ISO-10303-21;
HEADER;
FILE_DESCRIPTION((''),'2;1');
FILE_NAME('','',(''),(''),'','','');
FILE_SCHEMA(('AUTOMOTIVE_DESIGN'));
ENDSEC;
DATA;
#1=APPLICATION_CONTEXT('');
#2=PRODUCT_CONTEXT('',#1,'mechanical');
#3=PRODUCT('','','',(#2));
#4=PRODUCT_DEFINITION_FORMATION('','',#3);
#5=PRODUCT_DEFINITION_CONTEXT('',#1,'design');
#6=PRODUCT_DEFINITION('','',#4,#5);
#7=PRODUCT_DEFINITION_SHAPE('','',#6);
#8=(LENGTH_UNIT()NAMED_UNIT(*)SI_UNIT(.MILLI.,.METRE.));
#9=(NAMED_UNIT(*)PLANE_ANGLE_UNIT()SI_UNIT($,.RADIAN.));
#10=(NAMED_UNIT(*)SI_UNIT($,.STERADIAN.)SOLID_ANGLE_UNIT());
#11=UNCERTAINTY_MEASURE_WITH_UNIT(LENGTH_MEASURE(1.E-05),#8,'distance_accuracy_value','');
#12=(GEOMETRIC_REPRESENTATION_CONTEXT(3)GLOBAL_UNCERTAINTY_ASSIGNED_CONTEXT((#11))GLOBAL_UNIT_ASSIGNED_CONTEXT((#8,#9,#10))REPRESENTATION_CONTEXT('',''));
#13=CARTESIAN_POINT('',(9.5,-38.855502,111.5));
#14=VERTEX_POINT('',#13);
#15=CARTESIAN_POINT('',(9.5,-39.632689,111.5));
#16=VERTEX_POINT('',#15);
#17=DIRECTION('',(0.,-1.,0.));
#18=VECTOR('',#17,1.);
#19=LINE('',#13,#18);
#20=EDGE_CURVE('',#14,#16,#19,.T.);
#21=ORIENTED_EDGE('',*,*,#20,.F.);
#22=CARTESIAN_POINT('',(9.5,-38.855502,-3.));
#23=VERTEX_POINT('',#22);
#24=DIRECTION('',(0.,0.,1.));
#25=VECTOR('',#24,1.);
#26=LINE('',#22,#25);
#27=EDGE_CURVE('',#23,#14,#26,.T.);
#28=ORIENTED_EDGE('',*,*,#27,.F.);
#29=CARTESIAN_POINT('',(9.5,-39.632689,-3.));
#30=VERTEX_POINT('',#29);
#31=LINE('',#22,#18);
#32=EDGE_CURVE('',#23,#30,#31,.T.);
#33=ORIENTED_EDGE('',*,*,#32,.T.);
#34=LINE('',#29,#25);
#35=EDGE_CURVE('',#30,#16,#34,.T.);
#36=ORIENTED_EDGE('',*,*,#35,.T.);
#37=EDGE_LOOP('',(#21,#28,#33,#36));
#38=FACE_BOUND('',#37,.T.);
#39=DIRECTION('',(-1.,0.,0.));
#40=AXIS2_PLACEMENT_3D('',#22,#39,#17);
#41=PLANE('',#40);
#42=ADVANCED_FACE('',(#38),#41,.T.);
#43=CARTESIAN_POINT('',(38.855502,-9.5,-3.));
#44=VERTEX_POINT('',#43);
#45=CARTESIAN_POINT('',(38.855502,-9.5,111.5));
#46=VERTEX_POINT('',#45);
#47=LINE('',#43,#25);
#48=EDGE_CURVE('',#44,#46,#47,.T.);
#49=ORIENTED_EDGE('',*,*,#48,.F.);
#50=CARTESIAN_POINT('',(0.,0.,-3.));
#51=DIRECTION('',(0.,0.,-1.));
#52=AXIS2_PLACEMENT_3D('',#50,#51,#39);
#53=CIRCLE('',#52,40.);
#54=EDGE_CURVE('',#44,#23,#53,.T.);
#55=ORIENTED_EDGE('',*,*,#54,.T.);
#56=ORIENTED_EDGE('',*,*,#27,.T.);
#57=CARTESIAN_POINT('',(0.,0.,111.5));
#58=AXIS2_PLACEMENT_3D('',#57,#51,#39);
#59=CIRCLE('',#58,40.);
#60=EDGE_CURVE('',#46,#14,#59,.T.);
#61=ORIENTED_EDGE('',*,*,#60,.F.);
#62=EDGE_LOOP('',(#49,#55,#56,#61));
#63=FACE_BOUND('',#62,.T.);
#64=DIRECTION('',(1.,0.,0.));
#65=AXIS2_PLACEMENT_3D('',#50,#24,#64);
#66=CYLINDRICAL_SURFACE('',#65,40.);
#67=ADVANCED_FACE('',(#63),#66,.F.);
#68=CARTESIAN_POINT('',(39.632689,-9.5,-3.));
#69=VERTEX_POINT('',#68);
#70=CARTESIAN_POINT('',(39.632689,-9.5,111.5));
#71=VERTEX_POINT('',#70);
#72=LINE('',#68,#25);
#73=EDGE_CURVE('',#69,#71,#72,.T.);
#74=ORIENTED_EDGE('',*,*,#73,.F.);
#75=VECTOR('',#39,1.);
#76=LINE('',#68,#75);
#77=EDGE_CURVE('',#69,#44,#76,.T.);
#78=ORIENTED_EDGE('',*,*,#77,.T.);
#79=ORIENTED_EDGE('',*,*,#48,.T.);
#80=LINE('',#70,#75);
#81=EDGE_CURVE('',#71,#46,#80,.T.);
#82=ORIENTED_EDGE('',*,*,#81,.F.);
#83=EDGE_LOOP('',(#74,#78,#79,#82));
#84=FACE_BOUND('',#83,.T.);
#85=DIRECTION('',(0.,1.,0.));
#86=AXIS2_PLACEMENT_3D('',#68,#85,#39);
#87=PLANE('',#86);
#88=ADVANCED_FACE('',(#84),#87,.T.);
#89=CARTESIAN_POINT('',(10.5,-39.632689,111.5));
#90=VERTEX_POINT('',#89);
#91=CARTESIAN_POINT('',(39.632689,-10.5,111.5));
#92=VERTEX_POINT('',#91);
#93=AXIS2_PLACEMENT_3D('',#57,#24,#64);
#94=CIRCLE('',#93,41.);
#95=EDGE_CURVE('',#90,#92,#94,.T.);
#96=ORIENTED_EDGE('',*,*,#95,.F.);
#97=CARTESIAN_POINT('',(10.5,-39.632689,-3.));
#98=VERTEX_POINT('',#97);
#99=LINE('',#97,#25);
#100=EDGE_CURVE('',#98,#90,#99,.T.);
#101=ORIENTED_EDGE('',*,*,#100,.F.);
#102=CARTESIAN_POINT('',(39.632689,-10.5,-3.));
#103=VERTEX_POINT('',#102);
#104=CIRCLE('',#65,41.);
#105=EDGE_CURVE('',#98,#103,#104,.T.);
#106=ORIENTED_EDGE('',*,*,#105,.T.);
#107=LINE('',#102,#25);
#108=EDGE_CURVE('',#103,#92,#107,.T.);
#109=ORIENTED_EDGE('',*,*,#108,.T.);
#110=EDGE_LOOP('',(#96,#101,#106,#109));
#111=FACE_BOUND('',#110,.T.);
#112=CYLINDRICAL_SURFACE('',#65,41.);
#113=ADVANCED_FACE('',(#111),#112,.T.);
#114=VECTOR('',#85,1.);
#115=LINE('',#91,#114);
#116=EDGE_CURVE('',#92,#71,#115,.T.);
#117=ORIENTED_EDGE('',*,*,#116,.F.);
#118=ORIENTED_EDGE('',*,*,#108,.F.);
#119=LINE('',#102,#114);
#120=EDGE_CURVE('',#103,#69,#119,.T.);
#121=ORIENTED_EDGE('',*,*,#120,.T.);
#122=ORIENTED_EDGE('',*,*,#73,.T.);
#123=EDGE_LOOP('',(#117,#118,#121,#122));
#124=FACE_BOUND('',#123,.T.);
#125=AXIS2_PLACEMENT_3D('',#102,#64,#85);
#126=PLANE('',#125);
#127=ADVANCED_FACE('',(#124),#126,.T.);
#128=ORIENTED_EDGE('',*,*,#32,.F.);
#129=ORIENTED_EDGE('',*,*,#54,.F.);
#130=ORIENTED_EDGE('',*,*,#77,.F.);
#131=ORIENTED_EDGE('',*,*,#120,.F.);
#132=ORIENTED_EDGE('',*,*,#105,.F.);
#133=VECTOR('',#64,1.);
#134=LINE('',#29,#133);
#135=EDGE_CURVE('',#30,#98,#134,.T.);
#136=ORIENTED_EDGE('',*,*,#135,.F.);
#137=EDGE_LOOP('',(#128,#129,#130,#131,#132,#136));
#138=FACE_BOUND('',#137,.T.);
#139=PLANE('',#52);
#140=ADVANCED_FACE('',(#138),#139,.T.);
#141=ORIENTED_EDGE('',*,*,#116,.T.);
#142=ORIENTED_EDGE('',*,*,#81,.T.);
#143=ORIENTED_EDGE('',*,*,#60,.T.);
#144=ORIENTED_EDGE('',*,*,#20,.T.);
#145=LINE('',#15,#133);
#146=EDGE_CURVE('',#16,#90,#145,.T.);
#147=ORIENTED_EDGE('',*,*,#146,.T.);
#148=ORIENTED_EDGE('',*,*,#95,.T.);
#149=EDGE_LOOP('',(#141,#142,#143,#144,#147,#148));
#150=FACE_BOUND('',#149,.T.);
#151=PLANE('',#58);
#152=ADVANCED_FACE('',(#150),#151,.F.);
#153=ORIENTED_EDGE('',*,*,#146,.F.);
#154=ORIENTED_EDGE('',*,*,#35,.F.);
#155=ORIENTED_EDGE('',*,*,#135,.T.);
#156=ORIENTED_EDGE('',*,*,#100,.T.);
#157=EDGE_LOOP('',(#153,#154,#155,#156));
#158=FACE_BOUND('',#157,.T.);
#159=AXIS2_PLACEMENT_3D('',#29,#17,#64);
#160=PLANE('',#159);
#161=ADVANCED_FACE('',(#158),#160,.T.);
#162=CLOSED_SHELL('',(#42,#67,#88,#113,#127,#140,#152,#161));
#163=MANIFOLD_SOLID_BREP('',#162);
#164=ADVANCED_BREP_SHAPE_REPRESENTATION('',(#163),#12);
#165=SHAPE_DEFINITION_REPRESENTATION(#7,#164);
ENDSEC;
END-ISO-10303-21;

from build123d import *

# Parameters (mm, degrees)
EXTRUDE_1_DEPTH = 114.5


with BuildPart() as part:
    # Эскиз1 → Бобышка-Вытянуть1 (new body)
    with BuildSketch(Plane.XY.offset(111.5)):
        with BuildLine():
            Line((9.5, -38.855501541), (9.5, -39.632688529))
            Line((9.5, -39.632688529), (10.5, -39.632688529))
            ThreePointArc((10.5, -39.632688529), (28.991378029, -28.991378029), (39.632688529, -10.5))
            Line((39.632688529, -10.5), (39.632688529, -9.5))
            Line((39.632688529, -9.5), (38.855501541, -9.5))
            ThreePointArc((38.855501541, -9.5), (28.284271247, -28.284271247), (9.5, -38.855501541))
        make_face()
    extrude(amount=-EXTRUDE_1_DEPTH)


solid = part.part
